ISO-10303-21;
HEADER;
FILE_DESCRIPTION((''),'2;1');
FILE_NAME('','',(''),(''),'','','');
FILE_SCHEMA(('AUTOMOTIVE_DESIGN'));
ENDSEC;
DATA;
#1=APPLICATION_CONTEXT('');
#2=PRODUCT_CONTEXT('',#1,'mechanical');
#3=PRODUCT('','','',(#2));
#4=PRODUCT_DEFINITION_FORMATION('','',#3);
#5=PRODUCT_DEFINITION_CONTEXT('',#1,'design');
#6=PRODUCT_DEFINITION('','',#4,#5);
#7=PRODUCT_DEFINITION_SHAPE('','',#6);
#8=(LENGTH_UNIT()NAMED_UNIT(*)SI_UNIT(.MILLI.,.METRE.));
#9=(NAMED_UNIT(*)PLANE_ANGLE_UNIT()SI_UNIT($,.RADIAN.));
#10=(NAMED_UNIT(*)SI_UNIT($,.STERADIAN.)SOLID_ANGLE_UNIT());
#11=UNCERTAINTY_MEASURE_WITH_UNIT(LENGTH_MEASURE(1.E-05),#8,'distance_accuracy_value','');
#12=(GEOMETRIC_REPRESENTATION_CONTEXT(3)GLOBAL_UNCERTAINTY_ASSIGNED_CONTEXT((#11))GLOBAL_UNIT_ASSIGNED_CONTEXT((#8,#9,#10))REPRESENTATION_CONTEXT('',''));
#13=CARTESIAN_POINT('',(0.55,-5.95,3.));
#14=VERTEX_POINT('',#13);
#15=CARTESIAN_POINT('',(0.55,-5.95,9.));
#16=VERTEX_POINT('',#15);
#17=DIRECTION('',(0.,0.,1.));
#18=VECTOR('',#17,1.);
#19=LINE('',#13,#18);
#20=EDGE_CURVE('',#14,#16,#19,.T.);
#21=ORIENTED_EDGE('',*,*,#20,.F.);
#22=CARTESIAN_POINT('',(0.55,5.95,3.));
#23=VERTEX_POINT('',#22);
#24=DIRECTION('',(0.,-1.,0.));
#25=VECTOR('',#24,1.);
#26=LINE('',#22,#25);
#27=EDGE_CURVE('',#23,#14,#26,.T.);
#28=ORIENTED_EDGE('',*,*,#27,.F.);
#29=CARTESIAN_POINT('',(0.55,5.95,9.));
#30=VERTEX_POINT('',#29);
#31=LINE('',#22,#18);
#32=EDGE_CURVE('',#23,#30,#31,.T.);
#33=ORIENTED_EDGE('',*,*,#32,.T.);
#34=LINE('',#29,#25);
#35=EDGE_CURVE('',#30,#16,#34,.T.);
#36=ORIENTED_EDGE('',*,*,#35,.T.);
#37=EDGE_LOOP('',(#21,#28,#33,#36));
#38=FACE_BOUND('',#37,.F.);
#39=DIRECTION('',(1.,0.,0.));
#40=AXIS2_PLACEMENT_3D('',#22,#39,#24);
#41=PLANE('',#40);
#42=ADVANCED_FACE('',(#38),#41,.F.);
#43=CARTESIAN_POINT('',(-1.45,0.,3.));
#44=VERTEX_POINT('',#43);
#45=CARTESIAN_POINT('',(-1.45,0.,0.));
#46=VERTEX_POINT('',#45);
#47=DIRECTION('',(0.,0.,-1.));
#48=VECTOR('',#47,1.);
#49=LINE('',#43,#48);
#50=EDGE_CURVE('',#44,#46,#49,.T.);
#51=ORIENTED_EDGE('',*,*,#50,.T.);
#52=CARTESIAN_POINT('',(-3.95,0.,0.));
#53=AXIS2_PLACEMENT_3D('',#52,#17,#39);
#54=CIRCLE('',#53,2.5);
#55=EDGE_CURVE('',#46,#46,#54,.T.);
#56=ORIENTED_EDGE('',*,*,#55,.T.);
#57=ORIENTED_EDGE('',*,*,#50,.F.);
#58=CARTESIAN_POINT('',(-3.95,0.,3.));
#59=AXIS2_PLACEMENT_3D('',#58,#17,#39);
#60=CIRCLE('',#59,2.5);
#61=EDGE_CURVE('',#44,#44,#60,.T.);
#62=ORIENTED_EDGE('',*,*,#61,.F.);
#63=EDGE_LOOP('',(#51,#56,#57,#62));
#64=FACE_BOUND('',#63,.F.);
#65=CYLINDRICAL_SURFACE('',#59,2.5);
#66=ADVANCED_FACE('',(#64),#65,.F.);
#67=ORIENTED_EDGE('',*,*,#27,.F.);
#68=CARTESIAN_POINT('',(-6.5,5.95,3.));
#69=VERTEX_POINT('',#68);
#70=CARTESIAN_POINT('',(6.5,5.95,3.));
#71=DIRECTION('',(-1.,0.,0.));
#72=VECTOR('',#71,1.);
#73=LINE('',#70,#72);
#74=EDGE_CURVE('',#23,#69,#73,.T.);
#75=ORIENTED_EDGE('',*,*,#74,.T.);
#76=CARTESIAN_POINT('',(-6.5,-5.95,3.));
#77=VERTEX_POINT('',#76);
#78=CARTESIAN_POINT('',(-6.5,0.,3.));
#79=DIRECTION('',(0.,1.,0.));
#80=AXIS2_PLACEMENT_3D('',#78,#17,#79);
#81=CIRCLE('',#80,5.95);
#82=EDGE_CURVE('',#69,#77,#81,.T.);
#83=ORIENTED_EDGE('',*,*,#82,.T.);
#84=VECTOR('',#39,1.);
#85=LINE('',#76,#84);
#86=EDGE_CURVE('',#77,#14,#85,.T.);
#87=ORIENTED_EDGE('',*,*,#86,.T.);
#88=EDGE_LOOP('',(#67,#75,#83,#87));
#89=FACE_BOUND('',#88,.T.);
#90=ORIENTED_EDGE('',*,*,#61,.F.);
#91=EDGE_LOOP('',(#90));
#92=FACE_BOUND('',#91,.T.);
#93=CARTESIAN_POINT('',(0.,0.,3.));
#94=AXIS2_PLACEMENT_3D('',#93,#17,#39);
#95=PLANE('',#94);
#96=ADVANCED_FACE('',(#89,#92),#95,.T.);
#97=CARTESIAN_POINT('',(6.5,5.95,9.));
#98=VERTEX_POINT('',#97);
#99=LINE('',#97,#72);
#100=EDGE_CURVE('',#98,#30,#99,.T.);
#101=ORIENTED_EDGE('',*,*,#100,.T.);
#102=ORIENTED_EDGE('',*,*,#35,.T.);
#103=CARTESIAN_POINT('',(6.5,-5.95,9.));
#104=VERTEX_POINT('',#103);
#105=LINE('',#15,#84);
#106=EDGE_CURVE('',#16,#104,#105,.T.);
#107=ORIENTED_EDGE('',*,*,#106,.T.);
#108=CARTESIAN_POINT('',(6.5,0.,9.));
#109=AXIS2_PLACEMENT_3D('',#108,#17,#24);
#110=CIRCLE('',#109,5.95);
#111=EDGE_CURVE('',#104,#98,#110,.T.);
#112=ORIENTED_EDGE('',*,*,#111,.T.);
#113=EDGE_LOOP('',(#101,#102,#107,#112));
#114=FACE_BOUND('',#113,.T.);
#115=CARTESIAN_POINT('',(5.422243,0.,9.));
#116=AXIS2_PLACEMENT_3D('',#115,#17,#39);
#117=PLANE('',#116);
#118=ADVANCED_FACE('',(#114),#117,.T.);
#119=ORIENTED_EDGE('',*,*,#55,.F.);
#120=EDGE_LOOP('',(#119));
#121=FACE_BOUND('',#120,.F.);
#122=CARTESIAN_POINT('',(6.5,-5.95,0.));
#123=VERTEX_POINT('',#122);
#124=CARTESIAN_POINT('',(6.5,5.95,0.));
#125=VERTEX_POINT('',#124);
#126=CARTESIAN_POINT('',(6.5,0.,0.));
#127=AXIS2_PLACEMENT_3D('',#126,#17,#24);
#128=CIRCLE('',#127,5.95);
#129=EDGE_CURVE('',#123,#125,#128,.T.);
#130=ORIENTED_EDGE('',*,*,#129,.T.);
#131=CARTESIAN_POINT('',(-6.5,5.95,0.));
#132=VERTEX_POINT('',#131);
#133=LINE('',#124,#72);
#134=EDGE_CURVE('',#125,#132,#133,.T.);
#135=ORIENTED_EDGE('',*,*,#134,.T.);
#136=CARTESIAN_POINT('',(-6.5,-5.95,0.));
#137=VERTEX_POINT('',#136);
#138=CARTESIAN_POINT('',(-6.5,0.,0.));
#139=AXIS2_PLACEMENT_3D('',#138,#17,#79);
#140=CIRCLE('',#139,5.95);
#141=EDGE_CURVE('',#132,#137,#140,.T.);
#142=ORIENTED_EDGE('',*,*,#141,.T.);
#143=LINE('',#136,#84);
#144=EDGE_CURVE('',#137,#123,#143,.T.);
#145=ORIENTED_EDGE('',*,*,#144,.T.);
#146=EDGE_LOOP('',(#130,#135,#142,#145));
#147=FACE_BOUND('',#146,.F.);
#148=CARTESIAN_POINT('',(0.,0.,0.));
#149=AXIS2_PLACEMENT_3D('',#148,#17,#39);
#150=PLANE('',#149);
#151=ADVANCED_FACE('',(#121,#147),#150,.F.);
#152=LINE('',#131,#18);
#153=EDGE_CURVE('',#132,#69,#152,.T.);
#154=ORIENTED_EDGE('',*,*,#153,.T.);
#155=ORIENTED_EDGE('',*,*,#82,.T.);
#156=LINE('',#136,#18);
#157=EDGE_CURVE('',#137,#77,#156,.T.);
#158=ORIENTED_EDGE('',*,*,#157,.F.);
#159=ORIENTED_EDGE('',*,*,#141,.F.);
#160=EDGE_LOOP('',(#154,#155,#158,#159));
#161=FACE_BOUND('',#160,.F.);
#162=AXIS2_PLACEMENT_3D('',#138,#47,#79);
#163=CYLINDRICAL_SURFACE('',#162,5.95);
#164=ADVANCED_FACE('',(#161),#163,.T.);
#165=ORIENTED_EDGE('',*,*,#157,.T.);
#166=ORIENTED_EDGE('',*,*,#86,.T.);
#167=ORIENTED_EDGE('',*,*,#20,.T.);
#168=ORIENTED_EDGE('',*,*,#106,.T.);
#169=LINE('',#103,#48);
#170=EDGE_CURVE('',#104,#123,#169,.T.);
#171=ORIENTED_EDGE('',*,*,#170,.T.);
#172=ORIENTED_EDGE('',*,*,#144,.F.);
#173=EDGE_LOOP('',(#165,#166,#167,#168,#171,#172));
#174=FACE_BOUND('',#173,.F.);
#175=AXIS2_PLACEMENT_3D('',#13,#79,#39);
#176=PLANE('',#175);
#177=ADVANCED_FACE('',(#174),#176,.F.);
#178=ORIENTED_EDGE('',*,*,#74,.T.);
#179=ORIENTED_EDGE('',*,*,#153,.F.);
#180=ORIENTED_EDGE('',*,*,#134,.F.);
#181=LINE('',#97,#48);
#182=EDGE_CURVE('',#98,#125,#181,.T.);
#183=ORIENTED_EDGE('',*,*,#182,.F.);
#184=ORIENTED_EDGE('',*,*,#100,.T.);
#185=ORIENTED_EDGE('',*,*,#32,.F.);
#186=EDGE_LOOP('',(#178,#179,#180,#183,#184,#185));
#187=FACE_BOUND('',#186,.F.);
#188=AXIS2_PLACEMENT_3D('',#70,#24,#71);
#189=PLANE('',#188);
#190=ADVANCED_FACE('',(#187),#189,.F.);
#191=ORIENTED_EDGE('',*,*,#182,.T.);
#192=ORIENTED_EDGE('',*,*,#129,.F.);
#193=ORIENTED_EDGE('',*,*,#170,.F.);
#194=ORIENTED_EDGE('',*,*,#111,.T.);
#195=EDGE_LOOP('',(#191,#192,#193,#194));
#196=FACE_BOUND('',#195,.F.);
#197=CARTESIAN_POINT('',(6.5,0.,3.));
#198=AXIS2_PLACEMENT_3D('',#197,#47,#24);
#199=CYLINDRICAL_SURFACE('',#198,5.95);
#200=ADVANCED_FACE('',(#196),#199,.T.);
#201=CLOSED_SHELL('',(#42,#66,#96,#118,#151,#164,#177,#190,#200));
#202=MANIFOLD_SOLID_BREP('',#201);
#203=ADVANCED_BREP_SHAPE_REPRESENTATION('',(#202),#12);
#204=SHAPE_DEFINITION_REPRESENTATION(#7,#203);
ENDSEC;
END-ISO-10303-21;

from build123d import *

# Parameters (mm, degrees)
F0_R     = 2.5
F1_DEPTH = 3
F3_DEPTH = 6
F4_R     = 2.5
F5_DEPTH = 3


with BuildPart() as f1:
    # F0 (on Top) → F1 (new body)
    with BuildSketch(Plane.XY):
        with BuildLine():
            ThreePointArc((-6.5, 5.95), (-12.45, 0), (-6.5, -5.95))
            Line((-6.5, -5.95), (6.5, -5.95))
            ThreePointArc((6.5, -5.95), (12.45, 0), (6.5, 5.95))
            Line((6.5, 5.95), (-6.5, 5.95))
        make_face()
        with Locations((-3.95, 0)):
            Circle(F0_R, mode=Mode.SUBTRACT)
        with Locations((-3.95, 0)):
            Circle(F0_R)
    extrude(amount=F1_DEPTH)

    # F2 (on face) → F3 (join)
    with BuildSketch(Plane.XY.offset(3)):
        with BuildLine():
            Line((6.5, 5.95), (0.55, 5.95))
            Line((0.55, 5.95), (0.55, -5.95))
            Line((0.55, -5.95), (6.5, -5.95))
            ThreePointArc((6.5, -5.95), (12.45, 0), (6.5, 5.95))
        make_face()
    extrude(amount=F3_DEPTH)

    # F4 (on face) → F5 (cut)
    with BuildSketch(Plane.XY.offset(3)):
        with Locations((-3.95, 0)):
            Circle(F4_R)
    extrude(amount=-F5_DEPTH, mode=Mode.SUBTRACT)


solid = f1.part
